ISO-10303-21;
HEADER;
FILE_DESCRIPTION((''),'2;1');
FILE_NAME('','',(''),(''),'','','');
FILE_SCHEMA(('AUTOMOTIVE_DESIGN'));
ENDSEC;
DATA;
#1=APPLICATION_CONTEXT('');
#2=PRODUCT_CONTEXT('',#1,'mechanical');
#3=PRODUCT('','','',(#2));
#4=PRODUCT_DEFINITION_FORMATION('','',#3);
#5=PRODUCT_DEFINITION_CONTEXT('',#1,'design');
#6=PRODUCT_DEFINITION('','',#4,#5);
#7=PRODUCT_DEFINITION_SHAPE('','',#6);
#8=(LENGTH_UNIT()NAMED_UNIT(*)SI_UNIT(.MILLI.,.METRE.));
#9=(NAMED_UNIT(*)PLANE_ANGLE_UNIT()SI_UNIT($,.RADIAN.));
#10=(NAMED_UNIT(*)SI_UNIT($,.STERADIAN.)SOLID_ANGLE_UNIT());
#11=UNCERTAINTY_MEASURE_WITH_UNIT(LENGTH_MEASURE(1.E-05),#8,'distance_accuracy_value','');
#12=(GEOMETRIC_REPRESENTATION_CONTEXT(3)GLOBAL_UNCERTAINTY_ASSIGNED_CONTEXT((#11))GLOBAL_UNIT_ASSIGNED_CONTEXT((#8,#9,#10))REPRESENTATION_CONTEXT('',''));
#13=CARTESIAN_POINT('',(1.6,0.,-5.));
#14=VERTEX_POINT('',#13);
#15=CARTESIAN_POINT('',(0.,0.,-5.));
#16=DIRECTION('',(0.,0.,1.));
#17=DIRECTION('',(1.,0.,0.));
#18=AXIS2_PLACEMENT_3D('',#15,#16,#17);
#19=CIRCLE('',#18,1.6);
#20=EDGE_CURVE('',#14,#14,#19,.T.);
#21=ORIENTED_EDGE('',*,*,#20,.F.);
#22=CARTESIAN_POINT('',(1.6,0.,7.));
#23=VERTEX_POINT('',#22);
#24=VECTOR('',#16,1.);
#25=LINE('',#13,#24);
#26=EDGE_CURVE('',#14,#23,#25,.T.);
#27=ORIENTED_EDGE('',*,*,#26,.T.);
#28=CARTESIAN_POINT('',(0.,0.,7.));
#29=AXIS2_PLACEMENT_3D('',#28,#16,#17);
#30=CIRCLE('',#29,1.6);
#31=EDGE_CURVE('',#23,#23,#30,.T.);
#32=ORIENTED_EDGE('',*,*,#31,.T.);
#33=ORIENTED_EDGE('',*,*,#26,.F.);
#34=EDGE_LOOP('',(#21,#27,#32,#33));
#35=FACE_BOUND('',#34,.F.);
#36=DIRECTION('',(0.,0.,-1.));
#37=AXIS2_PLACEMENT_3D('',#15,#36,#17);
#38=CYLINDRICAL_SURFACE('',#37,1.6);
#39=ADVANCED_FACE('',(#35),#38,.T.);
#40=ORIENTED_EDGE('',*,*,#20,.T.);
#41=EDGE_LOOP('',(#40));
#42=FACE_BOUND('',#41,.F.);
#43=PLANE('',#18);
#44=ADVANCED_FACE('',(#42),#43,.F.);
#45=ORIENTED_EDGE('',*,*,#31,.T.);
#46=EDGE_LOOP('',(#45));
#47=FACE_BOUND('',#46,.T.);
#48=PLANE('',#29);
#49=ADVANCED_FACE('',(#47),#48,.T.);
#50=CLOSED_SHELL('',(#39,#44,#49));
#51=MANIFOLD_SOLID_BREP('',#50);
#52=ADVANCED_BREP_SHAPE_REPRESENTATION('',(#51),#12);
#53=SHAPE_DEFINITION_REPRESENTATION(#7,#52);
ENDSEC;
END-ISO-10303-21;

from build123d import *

# Parameters (mm, degrees)
CYLINDER001_R     = 1.6
CYLINDER001_DEPTH = 12


with BuildPart() as part:
    # Cylinder001 → Cylinder001 (new body)
    with BuildSketch(Plane.XY.offset(-5)):
        Circle(CYLINDER001_R)
    extrude(amount=CYLINDER001_DEPTH)


solid = part.part
